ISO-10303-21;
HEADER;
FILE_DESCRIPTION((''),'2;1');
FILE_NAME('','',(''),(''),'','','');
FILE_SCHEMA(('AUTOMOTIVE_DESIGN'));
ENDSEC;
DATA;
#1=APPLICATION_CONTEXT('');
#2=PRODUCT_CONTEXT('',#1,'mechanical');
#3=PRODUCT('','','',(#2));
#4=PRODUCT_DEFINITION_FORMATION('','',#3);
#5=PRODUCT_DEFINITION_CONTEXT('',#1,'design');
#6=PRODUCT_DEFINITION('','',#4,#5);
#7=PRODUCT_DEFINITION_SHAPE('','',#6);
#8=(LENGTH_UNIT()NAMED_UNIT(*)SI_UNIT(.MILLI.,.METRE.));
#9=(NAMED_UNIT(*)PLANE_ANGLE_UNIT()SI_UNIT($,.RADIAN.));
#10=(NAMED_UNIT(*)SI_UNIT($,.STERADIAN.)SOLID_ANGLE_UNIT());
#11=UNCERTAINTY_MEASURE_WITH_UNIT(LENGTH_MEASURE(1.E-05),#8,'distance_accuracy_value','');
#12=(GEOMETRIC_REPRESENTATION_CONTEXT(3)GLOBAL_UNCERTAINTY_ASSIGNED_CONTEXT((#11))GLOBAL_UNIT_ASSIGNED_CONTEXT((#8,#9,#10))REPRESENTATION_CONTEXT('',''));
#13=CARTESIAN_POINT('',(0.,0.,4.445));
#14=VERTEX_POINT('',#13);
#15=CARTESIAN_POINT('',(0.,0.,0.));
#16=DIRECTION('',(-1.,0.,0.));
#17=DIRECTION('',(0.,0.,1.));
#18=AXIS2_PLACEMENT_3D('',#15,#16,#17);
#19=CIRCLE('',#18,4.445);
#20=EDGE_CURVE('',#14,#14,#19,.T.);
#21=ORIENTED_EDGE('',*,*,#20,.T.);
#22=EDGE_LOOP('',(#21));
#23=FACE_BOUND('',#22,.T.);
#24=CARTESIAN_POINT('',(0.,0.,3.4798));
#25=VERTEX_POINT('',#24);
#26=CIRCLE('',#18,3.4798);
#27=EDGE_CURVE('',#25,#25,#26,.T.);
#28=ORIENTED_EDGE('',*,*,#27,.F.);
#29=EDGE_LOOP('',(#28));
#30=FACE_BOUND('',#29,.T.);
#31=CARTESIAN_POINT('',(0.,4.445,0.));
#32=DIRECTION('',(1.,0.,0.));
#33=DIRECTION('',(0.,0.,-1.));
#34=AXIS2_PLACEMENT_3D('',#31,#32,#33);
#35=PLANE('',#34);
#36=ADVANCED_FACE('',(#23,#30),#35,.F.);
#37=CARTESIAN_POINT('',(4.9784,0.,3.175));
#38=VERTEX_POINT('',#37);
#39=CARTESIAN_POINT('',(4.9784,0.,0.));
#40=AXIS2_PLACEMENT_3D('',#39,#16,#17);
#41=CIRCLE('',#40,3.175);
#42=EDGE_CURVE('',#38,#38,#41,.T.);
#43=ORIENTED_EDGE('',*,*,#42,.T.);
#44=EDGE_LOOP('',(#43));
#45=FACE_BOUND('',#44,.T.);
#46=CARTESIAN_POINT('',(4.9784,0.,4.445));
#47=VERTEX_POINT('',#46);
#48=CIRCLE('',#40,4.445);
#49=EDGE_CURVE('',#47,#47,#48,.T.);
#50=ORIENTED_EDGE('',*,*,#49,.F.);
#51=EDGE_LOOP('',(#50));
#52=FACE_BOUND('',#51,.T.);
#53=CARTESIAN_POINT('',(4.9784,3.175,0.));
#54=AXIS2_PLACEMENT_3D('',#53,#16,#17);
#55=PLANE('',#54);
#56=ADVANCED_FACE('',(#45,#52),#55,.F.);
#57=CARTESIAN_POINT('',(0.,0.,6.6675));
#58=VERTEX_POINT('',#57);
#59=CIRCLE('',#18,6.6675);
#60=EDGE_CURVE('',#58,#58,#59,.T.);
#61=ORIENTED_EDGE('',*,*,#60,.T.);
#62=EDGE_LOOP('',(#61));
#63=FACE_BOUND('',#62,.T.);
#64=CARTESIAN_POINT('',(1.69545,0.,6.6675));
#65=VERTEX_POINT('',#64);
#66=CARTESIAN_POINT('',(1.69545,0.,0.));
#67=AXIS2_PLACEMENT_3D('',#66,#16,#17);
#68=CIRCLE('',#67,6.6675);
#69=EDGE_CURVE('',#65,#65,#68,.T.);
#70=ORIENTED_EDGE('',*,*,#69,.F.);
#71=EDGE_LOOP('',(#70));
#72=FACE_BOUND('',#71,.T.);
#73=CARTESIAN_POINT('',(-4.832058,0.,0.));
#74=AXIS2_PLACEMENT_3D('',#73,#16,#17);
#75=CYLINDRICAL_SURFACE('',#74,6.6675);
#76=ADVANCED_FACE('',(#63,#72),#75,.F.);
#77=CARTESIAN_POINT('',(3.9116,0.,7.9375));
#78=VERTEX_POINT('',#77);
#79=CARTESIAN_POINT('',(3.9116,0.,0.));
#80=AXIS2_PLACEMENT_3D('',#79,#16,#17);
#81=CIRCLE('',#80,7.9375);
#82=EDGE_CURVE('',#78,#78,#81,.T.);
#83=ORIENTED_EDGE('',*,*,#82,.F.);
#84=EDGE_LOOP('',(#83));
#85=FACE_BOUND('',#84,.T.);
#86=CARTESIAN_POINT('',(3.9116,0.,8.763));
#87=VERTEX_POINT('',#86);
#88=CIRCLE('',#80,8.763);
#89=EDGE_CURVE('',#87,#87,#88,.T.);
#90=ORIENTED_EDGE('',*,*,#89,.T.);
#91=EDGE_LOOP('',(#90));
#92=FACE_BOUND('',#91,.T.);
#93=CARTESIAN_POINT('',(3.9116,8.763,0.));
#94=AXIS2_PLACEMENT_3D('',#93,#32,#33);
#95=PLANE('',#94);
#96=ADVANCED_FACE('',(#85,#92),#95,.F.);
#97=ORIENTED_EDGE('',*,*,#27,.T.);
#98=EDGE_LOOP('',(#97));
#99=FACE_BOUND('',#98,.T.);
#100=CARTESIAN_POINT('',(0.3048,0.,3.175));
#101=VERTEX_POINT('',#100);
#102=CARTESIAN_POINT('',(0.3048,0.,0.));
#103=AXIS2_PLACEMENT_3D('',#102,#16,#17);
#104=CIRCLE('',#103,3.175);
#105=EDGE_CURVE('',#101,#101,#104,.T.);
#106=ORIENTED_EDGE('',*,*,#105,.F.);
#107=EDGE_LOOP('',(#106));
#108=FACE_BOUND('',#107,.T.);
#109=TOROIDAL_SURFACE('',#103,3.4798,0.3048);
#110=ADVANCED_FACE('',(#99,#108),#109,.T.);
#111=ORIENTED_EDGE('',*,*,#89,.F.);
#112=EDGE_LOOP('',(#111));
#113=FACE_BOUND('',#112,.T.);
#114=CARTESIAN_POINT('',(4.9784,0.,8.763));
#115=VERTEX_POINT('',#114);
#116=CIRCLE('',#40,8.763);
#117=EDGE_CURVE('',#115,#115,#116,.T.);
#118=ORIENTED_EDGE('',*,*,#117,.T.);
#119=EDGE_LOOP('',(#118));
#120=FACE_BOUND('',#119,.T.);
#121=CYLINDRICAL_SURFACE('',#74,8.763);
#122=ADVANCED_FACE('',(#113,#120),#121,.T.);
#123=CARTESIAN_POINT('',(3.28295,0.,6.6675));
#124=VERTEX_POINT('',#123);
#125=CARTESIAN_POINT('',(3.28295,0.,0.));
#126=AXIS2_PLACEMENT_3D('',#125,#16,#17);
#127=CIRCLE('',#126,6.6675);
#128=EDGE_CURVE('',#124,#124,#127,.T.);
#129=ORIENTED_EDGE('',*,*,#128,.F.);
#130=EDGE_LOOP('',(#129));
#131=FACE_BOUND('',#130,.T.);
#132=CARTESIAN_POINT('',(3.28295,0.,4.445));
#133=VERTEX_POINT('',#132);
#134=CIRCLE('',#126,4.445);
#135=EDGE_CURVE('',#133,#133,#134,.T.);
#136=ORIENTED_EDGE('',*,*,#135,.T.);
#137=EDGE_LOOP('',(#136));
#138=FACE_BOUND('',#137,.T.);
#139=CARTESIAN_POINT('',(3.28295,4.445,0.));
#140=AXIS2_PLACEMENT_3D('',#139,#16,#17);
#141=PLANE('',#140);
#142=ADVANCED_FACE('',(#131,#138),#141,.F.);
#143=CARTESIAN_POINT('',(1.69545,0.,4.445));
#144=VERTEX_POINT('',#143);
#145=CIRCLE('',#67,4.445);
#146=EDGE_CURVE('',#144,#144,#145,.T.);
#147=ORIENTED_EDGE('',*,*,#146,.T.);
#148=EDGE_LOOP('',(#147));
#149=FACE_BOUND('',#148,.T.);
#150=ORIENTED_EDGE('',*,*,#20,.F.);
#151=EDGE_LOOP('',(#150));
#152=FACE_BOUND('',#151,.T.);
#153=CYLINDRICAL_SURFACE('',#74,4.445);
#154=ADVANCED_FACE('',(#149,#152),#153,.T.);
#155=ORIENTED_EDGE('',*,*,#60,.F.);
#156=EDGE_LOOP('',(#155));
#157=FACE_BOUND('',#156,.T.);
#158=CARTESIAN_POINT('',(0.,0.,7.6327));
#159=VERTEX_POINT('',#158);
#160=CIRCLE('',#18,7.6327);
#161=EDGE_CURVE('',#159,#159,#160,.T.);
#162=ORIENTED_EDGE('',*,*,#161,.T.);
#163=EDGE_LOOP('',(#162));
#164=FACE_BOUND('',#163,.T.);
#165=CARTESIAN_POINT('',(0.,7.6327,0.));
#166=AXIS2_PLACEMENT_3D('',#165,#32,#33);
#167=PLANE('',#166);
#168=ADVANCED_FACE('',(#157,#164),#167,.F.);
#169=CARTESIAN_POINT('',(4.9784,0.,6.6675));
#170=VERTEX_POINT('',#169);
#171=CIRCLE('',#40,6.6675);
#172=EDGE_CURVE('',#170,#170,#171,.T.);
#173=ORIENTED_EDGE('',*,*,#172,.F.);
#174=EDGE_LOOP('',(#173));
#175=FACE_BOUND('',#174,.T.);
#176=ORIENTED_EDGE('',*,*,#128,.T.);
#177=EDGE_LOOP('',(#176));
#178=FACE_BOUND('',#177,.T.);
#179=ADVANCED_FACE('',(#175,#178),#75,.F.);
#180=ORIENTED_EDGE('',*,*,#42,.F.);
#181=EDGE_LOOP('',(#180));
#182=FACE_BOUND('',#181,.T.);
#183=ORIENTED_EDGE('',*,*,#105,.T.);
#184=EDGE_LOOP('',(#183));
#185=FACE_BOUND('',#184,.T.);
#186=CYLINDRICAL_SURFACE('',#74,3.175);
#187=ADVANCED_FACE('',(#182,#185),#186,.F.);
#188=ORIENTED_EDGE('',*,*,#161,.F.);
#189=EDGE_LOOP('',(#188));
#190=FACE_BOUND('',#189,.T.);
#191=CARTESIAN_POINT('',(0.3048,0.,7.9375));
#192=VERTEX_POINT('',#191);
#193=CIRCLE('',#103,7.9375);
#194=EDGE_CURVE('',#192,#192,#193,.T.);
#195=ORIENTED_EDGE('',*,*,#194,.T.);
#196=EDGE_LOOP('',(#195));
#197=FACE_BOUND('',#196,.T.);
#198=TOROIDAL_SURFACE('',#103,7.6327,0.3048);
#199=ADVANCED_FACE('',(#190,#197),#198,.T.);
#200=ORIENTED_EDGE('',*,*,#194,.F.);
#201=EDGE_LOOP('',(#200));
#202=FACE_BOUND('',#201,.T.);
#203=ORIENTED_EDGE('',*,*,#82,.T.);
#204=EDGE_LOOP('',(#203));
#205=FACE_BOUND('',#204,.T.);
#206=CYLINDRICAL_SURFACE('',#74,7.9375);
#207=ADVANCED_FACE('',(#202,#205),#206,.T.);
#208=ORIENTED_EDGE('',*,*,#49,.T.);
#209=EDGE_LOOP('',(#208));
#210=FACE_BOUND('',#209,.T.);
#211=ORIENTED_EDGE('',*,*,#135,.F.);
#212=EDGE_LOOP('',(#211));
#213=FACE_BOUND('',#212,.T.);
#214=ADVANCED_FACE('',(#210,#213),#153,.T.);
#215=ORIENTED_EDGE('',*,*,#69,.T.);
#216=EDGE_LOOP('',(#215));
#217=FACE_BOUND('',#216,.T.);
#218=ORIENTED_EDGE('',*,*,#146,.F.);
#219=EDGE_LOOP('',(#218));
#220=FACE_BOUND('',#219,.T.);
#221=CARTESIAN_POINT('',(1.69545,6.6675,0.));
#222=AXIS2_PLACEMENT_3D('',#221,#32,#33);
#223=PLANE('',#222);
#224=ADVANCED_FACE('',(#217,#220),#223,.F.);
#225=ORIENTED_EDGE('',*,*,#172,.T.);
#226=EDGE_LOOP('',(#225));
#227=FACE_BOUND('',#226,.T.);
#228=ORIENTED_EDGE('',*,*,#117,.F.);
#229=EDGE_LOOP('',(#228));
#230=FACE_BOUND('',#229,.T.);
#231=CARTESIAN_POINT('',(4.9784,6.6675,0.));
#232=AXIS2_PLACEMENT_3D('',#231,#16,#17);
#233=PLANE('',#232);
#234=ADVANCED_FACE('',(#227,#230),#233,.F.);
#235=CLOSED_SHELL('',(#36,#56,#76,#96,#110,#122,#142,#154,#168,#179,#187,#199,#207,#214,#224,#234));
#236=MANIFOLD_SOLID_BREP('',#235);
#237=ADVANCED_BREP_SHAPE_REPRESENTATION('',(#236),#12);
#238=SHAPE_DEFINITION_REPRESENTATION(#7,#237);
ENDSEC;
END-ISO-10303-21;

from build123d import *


with BuildPart() as part:
    # Sketch3 → bearing-revolution (revolve)
    with BuildSketch(Plane.XY):
        with BuildLine():
            Line((0.3048, 3.175), (4.9784, 3.175))
            Line((4.9784, 3.175), (4.9784, 4.445))
            Line((4.9784, 4.445), (3.28295, 4.445))
            Line((3.28295, 4.445), (3.28295, 6.6675))
            Line((3.28295, 6.6675), (4.9784, 6.6675))
            Line((4.9784, 6.6675), (4.9784, 8.763))
            Line((4.9784, 8.763), (3.9116, 8.763))
            Line((3.9116, 8.763), (3.9116, 7.9375))
            Line((3.9116, 7.9375), (0.3048, 7.9375))
            ThreePointArc((0.3048, 7.9375), (0.089273853, 7.848226147), (0, 7.6327))
            Line((0, 7.6327), (0, 6.6675))
            Line((0, 6.6675), (1.69545, 6.6675))
            Line((1.69545, 6.6675), (1.69545, 4.445))
            Line((1.69545, 4.445), (0, 4.445))
            Line((0, 4.445), (0, 3.4798))
            ThreePointArc((0, 3.4798), (0.089273853, 3.264273853), (0.3048, 3.175))
        make_face()
    revolve(axis=Axis((-4.832058368, 0, 0), (1, 0, 0)))


solid = part.part
